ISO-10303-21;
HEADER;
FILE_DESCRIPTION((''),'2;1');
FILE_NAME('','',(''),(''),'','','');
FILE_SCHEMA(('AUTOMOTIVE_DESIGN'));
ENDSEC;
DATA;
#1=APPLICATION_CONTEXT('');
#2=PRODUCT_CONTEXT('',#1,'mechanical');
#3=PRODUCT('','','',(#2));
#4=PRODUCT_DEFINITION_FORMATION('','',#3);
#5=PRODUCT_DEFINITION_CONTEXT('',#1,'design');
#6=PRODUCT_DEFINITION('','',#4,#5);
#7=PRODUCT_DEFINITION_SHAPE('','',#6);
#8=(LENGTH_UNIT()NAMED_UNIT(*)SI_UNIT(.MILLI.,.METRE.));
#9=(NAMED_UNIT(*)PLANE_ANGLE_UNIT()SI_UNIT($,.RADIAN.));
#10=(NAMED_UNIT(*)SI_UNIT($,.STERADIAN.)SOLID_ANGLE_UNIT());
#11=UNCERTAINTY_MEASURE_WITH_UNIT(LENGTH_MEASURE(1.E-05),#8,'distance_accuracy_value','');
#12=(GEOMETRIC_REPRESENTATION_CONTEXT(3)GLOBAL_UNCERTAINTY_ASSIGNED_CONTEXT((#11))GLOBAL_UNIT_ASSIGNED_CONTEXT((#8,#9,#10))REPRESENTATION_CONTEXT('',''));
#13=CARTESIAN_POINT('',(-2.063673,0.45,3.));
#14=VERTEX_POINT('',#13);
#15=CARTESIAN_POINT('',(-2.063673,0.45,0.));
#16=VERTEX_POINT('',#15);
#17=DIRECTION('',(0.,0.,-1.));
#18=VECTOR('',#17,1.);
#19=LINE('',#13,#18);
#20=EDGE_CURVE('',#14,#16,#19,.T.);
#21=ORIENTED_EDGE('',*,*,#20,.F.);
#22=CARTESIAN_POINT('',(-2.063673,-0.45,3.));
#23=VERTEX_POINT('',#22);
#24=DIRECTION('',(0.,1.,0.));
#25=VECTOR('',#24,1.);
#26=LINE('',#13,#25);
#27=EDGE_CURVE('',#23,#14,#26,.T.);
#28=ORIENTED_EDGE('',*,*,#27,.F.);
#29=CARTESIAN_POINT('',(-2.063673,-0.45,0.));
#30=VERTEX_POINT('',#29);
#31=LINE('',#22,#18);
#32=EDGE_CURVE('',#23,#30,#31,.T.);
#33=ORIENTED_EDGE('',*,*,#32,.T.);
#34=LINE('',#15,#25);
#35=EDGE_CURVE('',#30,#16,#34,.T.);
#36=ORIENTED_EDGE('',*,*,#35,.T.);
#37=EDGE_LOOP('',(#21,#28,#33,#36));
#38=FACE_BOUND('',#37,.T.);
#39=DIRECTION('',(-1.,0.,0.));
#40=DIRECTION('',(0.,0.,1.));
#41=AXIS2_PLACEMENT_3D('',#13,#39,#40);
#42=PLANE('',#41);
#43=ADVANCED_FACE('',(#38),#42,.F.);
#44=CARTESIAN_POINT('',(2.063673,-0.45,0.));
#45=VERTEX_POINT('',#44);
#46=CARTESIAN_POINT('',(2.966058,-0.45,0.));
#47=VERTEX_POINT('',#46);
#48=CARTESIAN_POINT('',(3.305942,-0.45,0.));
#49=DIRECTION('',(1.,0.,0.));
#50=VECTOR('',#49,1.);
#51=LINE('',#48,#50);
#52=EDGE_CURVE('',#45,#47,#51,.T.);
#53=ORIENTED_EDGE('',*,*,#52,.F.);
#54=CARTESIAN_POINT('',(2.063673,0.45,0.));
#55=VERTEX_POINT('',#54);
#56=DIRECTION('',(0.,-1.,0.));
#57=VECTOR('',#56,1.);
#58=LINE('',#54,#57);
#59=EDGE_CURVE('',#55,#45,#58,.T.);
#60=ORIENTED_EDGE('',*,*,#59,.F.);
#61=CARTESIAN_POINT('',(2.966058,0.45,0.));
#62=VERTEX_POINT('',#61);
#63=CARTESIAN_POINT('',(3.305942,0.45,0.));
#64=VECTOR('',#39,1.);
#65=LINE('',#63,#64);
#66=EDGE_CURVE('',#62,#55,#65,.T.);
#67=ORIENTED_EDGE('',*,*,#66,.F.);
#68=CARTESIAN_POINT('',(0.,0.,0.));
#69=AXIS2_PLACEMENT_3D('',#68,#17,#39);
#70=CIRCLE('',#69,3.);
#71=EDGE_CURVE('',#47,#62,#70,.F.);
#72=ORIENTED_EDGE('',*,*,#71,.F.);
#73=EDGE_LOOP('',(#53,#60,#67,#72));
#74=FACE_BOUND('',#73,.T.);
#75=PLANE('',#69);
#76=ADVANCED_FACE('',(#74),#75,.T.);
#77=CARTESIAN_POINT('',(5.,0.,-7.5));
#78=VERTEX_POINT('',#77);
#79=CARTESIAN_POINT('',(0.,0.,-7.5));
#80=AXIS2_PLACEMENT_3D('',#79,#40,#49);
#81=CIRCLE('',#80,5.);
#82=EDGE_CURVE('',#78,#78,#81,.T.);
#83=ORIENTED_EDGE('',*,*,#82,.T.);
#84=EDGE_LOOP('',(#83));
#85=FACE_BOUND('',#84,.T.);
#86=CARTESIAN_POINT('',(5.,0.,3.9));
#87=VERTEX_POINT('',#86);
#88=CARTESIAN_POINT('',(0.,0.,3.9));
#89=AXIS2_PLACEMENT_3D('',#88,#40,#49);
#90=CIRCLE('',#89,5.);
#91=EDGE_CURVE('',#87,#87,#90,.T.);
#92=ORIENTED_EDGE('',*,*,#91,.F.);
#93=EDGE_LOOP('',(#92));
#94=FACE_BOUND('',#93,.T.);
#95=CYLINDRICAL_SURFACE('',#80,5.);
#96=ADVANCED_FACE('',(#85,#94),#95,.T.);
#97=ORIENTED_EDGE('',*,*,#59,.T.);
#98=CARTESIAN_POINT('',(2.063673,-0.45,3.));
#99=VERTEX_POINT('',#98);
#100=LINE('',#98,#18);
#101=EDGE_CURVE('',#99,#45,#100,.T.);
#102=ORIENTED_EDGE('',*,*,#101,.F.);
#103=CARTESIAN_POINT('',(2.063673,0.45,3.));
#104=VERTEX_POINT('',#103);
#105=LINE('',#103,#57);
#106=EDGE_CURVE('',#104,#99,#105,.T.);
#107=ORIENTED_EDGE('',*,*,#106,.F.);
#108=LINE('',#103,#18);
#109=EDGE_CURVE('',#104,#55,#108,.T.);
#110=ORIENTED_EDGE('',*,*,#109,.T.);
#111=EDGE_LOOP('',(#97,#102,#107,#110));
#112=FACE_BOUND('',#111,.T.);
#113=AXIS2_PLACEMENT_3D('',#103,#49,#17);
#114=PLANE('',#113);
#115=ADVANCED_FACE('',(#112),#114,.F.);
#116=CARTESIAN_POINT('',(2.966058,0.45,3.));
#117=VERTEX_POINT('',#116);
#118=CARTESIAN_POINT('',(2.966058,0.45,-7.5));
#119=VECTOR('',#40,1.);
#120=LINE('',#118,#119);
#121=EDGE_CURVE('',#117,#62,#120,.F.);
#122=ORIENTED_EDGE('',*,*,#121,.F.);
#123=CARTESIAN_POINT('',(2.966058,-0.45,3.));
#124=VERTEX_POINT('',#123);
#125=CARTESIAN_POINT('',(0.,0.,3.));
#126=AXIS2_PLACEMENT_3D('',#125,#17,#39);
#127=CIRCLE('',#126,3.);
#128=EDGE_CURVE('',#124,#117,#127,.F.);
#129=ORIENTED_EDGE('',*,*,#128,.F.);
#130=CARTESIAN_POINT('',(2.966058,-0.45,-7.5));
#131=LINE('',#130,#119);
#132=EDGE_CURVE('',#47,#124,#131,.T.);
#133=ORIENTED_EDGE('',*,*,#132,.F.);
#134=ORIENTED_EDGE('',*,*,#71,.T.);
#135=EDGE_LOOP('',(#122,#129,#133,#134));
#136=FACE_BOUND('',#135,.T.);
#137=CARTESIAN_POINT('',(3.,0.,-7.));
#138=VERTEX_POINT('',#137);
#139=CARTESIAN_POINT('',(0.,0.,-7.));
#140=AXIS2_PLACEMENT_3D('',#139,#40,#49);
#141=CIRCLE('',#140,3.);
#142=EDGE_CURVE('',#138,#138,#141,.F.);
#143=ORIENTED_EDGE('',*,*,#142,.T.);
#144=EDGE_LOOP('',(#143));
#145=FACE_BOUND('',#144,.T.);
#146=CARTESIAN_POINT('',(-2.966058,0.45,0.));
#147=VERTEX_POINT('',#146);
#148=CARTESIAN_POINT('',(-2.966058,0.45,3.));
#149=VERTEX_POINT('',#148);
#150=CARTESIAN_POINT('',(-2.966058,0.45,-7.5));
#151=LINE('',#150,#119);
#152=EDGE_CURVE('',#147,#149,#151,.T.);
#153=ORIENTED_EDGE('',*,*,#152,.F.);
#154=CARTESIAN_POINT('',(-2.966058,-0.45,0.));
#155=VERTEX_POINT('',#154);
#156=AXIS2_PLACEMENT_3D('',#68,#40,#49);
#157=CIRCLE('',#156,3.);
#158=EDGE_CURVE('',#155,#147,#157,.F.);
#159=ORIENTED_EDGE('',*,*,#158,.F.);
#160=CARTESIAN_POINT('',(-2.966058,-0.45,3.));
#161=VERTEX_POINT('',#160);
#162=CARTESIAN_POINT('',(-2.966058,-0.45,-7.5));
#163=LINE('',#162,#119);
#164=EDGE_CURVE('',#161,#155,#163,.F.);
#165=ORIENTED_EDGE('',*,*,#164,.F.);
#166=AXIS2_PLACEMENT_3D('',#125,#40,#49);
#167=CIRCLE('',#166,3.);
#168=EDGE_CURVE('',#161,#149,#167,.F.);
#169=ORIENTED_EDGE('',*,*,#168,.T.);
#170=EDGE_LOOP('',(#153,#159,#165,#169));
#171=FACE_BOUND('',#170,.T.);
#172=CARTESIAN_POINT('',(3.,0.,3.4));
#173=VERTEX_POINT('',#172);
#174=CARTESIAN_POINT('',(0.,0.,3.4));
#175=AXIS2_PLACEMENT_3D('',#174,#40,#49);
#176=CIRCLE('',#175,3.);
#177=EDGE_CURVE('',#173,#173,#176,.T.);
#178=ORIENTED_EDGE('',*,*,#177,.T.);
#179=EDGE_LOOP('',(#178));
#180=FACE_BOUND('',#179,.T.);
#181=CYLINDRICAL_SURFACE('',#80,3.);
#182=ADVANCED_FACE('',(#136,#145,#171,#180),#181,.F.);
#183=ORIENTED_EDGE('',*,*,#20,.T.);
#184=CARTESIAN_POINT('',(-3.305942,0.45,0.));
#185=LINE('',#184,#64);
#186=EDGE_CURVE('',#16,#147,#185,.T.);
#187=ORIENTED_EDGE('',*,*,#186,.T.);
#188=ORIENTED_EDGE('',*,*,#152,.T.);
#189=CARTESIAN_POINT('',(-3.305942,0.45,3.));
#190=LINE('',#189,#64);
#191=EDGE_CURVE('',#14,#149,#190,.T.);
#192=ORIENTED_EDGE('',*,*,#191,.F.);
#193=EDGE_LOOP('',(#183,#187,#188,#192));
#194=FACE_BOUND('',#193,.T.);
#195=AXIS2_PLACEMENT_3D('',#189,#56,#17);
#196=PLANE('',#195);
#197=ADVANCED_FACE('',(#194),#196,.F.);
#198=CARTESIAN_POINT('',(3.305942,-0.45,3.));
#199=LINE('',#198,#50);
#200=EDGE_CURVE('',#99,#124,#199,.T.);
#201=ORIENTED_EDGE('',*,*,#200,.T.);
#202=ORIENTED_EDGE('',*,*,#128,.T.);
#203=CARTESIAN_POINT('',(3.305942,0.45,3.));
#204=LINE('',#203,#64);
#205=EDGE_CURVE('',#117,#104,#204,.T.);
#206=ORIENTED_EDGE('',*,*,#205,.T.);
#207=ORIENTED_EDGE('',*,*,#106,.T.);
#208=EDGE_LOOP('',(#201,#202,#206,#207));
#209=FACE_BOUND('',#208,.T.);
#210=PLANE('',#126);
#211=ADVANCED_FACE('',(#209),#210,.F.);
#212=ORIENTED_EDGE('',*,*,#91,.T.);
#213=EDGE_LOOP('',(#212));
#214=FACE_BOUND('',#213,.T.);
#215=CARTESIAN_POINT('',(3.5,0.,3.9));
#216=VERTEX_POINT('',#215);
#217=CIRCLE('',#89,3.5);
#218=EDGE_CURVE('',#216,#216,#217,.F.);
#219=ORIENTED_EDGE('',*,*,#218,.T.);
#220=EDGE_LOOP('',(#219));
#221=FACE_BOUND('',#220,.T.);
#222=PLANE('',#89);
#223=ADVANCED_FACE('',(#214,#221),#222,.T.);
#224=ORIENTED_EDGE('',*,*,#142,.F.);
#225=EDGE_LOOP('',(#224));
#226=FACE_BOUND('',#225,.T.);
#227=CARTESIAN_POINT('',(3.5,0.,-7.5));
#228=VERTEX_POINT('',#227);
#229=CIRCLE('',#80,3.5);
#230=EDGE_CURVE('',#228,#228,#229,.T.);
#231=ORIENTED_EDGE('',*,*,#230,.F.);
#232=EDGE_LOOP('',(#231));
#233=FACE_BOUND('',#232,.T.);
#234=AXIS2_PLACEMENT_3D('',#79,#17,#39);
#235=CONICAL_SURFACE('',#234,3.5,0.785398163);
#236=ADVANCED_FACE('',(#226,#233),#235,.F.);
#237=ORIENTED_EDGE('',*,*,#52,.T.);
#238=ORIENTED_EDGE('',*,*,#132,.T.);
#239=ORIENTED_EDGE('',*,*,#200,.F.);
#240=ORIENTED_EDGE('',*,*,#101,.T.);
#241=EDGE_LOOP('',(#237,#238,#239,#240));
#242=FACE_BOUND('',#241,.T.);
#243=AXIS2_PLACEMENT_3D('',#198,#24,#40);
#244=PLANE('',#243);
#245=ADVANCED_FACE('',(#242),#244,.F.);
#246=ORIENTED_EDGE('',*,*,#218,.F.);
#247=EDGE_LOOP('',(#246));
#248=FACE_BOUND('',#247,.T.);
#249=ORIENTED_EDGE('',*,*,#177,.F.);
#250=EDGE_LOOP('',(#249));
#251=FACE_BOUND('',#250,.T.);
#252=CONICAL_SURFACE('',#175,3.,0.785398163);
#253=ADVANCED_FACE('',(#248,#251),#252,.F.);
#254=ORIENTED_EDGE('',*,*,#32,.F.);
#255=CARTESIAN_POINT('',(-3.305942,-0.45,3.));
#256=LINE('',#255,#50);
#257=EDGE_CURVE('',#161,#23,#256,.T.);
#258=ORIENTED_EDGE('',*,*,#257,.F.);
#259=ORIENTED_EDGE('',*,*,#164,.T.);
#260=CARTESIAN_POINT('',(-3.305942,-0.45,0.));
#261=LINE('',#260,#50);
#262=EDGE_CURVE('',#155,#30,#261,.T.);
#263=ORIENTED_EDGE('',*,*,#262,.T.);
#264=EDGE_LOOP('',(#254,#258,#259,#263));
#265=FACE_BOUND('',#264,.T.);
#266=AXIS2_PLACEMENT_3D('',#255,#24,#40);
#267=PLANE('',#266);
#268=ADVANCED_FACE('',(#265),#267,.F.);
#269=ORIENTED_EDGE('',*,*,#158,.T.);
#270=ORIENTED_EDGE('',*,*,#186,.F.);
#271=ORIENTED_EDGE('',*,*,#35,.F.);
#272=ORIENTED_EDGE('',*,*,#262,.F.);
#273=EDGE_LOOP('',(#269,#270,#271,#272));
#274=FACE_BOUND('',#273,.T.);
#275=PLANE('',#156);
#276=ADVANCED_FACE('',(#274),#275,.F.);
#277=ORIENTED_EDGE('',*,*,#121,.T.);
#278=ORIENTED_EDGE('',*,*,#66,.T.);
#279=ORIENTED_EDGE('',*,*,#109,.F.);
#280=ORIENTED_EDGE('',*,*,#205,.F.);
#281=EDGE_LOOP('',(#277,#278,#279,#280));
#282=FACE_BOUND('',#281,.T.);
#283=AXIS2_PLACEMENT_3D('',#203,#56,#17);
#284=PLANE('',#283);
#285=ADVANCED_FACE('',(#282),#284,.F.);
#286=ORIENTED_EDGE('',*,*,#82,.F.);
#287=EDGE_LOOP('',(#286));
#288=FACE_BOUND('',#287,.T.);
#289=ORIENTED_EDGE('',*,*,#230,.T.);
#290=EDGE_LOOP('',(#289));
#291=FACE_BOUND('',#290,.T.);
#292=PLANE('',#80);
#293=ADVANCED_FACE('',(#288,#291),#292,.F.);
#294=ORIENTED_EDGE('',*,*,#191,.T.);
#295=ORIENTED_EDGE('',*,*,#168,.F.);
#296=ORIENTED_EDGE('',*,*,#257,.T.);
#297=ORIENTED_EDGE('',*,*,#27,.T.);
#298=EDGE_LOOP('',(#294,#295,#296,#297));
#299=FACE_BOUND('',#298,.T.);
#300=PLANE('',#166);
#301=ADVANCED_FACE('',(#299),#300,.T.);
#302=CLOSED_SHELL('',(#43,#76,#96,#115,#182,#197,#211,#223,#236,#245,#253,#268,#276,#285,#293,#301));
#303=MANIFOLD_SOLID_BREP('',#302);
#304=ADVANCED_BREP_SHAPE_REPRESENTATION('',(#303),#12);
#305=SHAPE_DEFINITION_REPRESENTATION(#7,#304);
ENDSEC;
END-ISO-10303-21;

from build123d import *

# Parameters (mm, degrees)
EXTRUDE_1_DEPTH      = 3.9
EXTRUDE_1_DEPTH_BACK = 7.5
SKETCH_1_R           = 5
SKETCH_1_R_2         = 3
CHAMFER_1_SIZE       = 0.5
SKETCH_2_W           = 1.242269364
SKETCH_2_H           = 0.9
EXTRUDE_1_2_DEPTH    = 3


with BuildPart() as part:
    # 草图1 → Extrude 1 (new, two sides: drawn at the far end of the back side and taken through both)
    with BuildSketch(Plane.XY.offset(-EXTRUDE_1_DEPTH_BACK)):
        Circle(SKETCH_1_R)
        Circle(SKETCH_1_R_2, mode=Mode.SUBTRACT)
    extrude(amount=EXTRUDE_1_DEPTH + EXTRUDE_1_DEPTH_BACK)

    # 倒角1
    chamfer_1_edges = [part.edges().sort_by_distance(p)[0] for p in [
        (-3, 0, -7.5),
        (-3, 0, 3.9),
    ]]
    chamfer(chamfer_1_edges, length=CHAMFER_1_SIZE)

    # 草图2 → Extrude 1 2 (add)
    with BuildSketch(Plane.XY):
        with Locations((-2.68480736, 0)):
            Rectangle(SKETCH_2_W, SKETCH_2_H)
        with Locations((2.68480736, 0)):
            Rectangle(SKETCH_2_W, SKETCH_2_H)
    extrude(amount=EXTRUDE_1_2_DEPTH)


solid = part.part
